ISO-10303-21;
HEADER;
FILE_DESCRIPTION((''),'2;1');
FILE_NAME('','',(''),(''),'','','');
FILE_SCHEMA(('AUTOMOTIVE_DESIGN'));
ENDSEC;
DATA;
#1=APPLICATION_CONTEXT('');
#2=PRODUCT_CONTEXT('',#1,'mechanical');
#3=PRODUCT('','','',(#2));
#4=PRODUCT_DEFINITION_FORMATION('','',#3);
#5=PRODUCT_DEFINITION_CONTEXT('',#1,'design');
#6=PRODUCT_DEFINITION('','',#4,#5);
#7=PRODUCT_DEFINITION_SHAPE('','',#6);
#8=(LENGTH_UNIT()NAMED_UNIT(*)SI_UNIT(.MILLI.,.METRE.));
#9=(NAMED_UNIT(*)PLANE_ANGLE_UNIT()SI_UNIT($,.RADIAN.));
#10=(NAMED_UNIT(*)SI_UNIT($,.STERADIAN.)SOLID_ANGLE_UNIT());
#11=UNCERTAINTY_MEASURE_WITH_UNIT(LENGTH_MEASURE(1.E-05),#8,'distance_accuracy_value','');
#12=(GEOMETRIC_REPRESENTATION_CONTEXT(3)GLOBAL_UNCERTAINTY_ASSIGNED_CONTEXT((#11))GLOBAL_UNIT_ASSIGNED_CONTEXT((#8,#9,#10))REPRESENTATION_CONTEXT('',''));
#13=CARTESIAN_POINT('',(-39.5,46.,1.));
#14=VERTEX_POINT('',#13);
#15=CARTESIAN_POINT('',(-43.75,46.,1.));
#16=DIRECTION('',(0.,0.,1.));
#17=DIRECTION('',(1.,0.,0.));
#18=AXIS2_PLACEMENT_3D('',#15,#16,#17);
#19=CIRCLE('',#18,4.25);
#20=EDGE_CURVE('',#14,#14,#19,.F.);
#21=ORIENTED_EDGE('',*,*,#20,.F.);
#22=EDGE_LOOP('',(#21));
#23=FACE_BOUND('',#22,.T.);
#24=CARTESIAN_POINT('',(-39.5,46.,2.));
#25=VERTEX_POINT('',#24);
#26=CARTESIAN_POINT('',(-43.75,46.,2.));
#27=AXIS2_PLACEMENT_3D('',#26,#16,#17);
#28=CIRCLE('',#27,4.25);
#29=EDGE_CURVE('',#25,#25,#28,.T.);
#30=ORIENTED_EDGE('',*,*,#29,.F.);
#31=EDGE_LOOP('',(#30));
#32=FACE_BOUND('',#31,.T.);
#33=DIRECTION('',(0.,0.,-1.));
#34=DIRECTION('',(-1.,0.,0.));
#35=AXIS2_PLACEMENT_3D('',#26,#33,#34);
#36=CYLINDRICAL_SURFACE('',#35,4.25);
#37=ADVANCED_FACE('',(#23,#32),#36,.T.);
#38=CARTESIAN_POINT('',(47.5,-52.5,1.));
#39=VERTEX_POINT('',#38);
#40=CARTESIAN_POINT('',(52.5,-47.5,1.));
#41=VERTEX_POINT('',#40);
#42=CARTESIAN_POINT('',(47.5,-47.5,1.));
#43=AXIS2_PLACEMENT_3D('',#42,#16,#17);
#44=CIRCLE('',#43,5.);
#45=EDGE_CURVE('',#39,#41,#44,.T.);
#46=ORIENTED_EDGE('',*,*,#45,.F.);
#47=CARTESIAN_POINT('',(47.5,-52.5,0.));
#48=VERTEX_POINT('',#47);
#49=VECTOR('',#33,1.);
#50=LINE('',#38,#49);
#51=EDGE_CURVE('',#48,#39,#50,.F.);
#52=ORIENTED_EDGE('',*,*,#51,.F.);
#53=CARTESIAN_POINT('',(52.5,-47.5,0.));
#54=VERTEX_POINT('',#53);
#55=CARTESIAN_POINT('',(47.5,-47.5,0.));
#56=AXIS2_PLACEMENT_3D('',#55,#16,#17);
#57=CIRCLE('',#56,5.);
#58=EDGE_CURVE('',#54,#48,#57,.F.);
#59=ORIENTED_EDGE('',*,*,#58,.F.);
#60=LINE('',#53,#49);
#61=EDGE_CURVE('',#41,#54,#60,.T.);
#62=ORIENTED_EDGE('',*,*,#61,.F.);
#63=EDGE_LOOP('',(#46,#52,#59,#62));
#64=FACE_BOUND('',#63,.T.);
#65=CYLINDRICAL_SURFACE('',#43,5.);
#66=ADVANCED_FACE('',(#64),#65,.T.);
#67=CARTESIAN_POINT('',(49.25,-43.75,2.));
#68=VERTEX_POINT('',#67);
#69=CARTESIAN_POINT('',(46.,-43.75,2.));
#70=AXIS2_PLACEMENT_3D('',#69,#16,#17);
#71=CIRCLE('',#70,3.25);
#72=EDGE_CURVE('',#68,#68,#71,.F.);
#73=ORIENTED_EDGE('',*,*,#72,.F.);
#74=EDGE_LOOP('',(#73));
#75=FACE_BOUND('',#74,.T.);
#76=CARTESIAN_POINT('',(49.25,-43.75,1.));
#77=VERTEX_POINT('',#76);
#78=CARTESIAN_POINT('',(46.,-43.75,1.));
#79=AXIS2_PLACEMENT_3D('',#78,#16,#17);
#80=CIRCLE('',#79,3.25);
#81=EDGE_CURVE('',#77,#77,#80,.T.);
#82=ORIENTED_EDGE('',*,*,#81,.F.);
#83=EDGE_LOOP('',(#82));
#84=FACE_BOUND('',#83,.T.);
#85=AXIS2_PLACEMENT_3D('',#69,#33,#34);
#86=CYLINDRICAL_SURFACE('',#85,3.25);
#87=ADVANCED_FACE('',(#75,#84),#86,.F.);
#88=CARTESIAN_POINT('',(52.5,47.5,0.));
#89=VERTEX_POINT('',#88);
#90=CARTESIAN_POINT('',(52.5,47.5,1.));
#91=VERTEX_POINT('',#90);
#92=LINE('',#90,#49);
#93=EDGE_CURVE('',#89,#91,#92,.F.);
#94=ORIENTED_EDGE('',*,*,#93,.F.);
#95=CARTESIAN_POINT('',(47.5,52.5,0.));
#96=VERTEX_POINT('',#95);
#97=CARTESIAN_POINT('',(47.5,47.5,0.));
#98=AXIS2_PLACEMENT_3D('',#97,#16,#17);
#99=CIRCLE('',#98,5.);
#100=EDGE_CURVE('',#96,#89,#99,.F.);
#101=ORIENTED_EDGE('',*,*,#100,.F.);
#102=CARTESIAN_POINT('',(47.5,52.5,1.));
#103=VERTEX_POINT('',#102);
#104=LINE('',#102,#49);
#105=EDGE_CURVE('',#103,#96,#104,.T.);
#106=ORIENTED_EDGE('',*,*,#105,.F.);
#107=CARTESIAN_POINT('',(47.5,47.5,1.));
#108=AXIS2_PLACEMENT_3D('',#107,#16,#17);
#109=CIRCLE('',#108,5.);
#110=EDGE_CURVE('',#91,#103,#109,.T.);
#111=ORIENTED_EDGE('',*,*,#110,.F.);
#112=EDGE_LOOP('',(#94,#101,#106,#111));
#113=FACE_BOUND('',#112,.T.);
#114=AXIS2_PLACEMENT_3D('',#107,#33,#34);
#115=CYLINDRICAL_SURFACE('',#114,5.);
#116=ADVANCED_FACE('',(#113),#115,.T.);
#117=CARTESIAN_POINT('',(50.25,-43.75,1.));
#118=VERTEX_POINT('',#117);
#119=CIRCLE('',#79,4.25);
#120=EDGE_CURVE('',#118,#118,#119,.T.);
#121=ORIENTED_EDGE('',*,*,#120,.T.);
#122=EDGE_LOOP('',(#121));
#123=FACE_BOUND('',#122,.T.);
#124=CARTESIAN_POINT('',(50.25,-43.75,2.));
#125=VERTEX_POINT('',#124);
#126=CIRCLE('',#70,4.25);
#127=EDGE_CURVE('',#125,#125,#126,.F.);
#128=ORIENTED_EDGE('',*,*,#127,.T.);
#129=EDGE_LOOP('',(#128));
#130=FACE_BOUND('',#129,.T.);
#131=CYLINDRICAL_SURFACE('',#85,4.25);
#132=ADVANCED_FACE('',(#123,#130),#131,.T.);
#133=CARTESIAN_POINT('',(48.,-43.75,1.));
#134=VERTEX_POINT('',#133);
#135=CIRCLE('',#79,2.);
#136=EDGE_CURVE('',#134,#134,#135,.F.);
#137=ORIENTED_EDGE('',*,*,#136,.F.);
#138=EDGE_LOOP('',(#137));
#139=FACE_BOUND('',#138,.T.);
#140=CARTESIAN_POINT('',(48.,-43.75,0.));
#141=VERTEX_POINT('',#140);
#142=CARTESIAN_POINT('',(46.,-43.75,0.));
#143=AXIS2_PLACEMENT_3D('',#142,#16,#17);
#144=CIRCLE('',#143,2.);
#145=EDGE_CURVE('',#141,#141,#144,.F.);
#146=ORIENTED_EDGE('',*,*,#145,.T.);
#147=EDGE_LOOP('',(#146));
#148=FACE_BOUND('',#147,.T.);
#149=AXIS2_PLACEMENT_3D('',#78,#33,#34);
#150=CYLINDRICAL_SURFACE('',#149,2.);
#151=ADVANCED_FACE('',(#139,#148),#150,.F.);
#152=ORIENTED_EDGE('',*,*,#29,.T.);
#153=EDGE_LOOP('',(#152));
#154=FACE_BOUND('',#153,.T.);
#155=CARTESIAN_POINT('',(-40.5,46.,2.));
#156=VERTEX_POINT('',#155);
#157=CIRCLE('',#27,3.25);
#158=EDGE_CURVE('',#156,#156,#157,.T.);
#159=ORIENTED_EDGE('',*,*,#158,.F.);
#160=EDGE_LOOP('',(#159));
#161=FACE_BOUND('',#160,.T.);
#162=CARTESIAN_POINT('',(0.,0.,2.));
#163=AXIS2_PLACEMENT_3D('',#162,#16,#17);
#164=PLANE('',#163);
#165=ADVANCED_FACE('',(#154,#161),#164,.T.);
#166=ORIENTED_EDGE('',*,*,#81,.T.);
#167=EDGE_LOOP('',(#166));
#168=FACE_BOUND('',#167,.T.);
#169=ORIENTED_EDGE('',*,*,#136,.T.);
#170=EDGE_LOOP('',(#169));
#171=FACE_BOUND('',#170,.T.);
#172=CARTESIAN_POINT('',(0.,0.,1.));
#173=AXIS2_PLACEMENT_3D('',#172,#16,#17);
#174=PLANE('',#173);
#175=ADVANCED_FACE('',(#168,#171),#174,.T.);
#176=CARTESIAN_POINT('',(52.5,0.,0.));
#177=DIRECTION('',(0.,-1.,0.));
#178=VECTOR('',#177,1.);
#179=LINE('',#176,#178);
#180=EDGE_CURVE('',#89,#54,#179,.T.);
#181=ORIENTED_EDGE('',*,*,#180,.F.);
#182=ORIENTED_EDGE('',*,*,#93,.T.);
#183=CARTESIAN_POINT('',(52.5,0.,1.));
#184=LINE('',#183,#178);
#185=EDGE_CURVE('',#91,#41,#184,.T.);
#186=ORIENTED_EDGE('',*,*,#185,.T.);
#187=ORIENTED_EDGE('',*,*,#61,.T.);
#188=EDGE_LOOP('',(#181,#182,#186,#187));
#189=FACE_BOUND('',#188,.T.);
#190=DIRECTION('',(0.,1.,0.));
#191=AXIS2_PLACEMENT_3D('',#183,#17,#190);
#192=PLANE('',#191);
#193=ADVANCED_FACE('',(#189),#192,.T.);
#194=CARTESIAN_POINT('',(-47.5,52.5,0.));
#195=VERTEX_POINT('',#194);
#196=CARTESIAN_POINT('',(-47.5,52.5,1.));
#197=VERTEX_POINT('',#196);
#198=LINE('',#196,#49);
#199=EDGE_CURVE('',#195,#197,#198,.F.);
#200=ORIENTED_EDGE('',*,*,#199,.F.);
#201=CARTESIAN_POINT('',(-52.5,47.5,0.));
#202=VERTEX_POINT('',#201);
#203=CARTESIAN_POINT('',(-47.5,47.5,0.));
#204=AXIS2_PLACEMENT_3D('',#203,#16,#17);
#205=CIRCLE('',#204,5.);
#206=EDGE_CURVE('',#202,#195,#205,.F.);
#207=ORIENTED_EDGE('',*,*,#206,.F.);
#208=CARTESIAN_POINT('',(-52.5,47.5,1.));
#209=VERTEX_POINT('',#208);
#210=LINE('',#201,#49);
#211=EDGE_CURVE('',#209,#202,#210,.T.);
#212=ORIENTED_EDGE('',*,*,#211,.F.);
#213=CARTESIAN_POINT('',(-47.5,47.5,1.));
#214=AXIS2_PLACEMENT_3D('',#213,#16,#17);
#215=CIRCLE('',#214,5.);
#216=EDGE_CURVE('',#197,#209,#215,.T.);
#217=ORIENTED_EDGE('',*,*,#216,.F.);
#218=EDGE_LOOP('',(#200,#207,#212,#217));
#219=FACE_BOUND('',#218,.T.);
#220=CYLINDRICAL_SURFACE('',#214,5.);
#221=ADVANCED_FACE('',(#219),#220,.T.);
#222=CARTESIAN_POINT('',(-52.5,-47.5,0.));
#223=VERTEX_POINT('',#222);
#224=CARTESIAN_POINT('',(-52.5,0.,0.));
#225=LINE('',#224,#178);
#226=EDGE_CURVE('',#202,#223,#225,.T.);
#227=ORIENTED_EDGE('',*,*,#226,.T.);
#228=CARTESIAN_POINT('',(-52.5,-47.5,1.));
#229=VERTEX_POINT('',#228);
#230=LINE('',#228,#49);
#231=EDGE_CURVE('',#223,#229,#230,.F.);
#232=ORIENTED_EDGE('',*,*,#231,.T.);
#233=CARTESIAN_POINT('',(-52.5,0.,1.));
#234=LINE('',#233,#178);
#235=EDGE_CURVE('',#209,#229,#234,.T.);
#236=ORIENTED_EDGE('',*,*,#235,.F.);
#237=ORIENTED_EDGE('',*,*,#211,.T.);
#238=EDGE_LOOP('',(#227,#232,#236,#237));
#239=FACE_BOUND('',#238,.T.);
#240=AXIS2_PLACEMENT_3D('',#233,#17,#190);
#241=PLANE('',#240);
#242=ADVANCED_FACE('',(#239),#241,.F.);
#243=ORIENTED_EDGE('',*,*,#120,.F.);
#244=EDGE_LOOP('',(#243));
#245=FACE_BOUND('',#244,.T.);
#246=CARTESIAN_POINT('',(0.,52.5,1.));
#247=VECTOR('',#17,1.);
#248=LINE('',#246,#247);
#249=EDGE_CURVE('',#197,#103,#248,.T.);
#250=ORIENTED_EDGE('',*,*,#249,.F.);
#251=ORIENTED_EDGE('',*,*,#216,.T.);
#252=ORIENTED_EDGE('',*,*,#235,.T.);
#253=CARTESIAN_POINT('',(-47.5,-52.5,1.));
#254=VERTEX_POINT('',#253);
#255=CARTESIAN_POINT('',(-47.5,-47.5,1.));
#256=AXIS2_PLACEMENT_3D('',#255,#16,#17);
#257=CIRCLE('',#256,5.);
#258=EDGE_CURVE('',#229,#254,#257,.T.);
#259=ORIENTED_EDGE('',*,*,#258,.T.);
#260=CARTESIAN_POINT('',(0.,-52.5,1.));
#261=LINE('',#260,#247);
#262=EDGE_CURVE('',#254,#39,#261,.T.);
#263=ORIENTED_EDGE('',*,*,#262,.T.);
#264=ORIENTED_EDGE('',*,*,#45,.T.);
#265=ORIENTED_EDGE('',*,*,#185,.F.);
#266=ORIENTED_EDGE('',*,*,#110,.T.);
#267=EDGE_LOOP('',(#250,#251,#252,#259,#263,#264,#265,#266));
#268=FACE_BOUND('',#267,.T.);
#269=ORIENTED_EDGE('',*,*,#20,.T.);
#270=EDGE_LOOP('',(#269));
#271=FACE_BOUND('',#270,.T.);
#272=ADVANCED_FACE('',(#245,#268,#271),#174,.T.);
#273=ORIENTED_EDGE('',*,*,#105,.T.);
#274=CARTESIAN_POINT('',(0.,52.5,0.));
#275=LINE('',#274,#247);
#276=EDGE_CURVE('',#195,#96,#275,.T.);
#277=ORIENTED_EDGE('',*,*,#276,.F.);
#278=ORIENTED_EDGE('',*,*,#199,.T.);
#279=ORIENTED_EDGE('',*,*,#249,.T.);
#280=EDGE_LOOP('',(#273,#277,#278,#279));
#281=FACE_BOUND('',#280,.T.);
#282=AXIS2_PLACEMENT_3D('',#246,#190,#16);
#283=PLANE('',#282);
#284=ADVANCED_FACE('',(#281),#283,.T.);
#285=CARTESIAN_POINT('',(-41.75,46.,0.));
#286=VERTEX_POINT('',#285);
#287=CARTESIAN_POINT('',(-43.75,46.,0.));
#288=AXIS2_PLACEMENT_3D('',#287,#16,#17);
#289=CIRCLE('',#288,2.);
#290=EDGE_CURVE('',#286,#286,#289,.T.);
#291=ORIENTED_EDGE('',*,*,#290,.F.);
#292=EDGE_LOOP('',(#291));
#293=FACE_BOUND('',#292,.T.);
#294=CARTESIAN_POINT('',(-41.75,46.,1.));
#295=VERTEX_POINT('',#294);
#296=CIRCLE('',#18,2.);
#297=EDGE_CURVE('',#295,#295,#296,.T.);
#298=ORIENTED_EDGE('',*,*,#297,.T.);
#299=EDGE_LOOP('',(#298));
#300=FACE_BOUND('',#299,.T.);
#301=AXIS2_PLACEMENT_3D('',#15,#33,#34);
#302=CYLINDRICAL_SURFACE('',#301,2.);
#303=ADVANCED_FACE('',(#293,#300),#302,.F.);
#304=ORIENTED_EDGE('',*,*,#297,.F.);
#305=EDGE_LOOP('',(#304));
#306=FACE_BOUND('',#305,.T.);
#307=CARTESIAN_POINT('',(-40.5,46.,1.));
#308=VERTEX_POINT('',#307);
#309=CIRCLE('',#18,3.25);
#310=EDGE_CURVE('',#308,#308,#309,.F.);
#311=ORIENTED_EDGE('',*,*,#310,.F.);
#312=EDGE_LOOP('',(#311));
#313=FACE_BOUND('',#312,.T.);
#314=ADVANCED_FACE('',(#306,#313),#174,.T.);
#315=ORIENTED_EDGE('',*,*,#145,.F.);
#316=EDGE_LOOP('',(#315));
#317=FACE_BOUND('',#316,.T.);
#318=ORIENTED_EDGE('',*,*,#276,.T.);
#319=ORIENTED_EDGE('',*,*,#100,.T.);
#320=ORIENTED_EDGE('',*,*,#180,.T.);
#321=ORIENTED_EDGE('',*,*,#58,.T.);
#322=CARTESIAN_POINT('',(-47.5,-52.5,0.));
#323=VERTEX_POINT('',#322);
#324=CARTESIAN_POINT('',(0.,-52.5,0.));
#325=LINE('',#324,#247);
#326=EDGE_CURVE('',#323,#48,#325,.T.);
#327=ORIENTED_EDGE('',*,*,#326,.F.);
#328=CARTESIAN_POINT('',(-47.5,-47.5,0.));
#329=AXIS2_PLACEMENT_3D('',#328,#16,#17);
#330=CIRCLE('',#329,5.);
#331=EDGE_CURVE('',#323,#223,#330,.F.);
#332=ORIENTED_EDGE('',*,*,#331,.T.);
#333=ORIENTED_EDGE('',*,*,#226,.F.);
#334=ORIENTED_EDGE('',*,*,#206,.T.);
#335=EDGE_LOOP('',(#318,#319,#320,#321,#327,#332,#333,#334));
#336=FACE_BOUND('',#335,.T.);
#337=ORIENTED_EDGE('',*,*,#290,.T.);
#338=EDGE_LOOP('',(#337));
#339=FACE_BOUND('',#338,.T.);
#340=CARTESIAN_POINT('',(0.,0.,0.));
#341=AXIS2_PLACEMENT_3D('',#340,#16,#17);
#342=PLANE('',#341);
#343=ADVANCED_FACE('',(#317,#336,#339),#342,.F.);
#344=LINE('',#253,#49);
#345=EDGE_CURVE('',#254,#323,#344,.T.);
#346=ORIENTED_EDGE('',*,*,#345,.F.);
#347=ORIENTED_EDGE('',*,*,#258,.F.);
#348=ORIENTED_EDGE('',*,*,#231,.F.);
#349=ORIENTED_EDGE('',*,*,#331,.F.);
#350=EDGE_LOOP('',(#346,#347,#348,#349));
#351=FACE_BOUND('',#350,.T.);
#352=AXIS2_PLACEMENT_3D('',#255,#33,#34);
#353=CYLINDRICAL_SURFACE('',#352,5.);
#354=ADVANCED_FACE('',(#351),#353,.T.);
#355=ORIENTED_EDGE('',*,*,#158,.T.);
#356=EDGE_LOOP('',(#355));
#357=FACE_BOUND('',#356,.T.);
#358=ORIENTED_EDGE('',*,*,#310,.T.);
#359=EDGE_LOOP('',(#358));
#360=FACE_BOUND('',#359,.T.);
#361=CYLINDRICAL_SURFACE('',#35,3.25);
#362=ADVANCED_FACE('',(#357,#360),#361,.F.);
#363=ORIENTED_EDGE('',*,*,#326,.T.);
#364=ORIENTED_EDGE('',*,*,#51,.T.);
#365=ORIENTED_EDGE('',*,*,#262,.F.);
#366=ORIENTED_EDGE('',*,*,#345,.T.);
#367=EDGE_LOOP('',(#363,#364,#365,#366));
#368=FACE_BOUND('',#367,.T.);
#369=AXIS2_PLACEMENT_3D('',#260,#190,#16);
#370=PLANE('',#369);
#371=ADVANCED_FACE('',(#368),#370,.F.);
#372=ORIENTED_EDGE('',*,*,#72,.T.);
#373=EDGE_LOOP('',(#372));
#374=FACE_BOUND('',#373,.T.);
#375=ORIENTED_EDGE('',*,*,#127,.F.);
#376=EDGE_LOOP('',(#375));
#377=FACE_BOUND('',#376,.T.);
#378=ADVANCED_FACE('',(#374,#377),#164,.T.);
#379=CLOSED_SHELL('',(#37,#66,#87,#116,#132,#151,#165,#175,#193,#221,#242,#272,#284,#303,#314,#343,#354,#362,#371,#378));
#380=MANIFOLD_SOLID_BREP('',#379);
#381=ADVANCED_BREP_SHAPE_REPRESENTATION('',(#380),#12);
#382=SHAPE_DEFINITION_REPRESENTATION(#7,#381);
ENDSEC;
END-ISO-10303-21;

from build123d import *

# Parameters (mm, degrees)
ESQUISSE1_W        = 105
ESQUISSE1_H        = 105
ESQUISSE1_R        = 2
BOSS_EXTRU_1_DEPTH = 1
ESQUISSE1_4_R      = 4.25
ESQUISSE1_4_R_2    = 3.25
BOSS_EXTRU_3_DEPTH = 2
CONG_1_R           = 5


with BuildPart() as part:
    # Esquisse1 → Boss.-Extru.1 (new body)
    with BuildSketch(Plane.XY):
        Rectangle(ESQUISSE1_W, ESQUISSE1_H)
        with Locations((46, -43.75)):
            Circle(ESQUISSE1_R, mode=Mode.SUBTRACT)
        with Locations((-43.75, 46)):
            Circle(ESQUISSE1_R, mode=Mode.SUBTRACT)
    extrude(amount=BOSS_EXTRU_1_DEPTH)

    # Esquisse1<4> → Boss.-Extru.3 (add)
    # profile 1 of 2: a face of its own
    with BuildSketch(Plane.XY):
        with Locations((-43.75, 46)):
            Circle(ESQUISSE1_4_R)
        with Locations((-43.75, 46)):
            Circle(ESQUISSE1_4_R_2, mode=Mode.SUBTRACT)
    # profile 2 of 2: a face of its own
    with BuildSketch(Plane.XY):
        with Locations((46, -43.75)):
            Circle(ESQUISSE1_4_R)
        with Locations((46, -43.75)):
            Circle(ESQUISSE1_4_R_2, mode=Mode.SUBTRACT)
    extrude(amount=BOSS_EXTRU_3_DEPTH)

    # Congé1
    cong_1_edges = [part.edges().sort_by_distance(p)[0] for p in [
        (52.5, -52.5, 0.5),
        (-52.5, -52.5, 0.5),
        (-52.5, 52.5, 0.5),
        (52.5, 52.5, 0.5),
    ]]
    fillet(cong_1_edges, radius=CONG_1_R)


solid = part.part
